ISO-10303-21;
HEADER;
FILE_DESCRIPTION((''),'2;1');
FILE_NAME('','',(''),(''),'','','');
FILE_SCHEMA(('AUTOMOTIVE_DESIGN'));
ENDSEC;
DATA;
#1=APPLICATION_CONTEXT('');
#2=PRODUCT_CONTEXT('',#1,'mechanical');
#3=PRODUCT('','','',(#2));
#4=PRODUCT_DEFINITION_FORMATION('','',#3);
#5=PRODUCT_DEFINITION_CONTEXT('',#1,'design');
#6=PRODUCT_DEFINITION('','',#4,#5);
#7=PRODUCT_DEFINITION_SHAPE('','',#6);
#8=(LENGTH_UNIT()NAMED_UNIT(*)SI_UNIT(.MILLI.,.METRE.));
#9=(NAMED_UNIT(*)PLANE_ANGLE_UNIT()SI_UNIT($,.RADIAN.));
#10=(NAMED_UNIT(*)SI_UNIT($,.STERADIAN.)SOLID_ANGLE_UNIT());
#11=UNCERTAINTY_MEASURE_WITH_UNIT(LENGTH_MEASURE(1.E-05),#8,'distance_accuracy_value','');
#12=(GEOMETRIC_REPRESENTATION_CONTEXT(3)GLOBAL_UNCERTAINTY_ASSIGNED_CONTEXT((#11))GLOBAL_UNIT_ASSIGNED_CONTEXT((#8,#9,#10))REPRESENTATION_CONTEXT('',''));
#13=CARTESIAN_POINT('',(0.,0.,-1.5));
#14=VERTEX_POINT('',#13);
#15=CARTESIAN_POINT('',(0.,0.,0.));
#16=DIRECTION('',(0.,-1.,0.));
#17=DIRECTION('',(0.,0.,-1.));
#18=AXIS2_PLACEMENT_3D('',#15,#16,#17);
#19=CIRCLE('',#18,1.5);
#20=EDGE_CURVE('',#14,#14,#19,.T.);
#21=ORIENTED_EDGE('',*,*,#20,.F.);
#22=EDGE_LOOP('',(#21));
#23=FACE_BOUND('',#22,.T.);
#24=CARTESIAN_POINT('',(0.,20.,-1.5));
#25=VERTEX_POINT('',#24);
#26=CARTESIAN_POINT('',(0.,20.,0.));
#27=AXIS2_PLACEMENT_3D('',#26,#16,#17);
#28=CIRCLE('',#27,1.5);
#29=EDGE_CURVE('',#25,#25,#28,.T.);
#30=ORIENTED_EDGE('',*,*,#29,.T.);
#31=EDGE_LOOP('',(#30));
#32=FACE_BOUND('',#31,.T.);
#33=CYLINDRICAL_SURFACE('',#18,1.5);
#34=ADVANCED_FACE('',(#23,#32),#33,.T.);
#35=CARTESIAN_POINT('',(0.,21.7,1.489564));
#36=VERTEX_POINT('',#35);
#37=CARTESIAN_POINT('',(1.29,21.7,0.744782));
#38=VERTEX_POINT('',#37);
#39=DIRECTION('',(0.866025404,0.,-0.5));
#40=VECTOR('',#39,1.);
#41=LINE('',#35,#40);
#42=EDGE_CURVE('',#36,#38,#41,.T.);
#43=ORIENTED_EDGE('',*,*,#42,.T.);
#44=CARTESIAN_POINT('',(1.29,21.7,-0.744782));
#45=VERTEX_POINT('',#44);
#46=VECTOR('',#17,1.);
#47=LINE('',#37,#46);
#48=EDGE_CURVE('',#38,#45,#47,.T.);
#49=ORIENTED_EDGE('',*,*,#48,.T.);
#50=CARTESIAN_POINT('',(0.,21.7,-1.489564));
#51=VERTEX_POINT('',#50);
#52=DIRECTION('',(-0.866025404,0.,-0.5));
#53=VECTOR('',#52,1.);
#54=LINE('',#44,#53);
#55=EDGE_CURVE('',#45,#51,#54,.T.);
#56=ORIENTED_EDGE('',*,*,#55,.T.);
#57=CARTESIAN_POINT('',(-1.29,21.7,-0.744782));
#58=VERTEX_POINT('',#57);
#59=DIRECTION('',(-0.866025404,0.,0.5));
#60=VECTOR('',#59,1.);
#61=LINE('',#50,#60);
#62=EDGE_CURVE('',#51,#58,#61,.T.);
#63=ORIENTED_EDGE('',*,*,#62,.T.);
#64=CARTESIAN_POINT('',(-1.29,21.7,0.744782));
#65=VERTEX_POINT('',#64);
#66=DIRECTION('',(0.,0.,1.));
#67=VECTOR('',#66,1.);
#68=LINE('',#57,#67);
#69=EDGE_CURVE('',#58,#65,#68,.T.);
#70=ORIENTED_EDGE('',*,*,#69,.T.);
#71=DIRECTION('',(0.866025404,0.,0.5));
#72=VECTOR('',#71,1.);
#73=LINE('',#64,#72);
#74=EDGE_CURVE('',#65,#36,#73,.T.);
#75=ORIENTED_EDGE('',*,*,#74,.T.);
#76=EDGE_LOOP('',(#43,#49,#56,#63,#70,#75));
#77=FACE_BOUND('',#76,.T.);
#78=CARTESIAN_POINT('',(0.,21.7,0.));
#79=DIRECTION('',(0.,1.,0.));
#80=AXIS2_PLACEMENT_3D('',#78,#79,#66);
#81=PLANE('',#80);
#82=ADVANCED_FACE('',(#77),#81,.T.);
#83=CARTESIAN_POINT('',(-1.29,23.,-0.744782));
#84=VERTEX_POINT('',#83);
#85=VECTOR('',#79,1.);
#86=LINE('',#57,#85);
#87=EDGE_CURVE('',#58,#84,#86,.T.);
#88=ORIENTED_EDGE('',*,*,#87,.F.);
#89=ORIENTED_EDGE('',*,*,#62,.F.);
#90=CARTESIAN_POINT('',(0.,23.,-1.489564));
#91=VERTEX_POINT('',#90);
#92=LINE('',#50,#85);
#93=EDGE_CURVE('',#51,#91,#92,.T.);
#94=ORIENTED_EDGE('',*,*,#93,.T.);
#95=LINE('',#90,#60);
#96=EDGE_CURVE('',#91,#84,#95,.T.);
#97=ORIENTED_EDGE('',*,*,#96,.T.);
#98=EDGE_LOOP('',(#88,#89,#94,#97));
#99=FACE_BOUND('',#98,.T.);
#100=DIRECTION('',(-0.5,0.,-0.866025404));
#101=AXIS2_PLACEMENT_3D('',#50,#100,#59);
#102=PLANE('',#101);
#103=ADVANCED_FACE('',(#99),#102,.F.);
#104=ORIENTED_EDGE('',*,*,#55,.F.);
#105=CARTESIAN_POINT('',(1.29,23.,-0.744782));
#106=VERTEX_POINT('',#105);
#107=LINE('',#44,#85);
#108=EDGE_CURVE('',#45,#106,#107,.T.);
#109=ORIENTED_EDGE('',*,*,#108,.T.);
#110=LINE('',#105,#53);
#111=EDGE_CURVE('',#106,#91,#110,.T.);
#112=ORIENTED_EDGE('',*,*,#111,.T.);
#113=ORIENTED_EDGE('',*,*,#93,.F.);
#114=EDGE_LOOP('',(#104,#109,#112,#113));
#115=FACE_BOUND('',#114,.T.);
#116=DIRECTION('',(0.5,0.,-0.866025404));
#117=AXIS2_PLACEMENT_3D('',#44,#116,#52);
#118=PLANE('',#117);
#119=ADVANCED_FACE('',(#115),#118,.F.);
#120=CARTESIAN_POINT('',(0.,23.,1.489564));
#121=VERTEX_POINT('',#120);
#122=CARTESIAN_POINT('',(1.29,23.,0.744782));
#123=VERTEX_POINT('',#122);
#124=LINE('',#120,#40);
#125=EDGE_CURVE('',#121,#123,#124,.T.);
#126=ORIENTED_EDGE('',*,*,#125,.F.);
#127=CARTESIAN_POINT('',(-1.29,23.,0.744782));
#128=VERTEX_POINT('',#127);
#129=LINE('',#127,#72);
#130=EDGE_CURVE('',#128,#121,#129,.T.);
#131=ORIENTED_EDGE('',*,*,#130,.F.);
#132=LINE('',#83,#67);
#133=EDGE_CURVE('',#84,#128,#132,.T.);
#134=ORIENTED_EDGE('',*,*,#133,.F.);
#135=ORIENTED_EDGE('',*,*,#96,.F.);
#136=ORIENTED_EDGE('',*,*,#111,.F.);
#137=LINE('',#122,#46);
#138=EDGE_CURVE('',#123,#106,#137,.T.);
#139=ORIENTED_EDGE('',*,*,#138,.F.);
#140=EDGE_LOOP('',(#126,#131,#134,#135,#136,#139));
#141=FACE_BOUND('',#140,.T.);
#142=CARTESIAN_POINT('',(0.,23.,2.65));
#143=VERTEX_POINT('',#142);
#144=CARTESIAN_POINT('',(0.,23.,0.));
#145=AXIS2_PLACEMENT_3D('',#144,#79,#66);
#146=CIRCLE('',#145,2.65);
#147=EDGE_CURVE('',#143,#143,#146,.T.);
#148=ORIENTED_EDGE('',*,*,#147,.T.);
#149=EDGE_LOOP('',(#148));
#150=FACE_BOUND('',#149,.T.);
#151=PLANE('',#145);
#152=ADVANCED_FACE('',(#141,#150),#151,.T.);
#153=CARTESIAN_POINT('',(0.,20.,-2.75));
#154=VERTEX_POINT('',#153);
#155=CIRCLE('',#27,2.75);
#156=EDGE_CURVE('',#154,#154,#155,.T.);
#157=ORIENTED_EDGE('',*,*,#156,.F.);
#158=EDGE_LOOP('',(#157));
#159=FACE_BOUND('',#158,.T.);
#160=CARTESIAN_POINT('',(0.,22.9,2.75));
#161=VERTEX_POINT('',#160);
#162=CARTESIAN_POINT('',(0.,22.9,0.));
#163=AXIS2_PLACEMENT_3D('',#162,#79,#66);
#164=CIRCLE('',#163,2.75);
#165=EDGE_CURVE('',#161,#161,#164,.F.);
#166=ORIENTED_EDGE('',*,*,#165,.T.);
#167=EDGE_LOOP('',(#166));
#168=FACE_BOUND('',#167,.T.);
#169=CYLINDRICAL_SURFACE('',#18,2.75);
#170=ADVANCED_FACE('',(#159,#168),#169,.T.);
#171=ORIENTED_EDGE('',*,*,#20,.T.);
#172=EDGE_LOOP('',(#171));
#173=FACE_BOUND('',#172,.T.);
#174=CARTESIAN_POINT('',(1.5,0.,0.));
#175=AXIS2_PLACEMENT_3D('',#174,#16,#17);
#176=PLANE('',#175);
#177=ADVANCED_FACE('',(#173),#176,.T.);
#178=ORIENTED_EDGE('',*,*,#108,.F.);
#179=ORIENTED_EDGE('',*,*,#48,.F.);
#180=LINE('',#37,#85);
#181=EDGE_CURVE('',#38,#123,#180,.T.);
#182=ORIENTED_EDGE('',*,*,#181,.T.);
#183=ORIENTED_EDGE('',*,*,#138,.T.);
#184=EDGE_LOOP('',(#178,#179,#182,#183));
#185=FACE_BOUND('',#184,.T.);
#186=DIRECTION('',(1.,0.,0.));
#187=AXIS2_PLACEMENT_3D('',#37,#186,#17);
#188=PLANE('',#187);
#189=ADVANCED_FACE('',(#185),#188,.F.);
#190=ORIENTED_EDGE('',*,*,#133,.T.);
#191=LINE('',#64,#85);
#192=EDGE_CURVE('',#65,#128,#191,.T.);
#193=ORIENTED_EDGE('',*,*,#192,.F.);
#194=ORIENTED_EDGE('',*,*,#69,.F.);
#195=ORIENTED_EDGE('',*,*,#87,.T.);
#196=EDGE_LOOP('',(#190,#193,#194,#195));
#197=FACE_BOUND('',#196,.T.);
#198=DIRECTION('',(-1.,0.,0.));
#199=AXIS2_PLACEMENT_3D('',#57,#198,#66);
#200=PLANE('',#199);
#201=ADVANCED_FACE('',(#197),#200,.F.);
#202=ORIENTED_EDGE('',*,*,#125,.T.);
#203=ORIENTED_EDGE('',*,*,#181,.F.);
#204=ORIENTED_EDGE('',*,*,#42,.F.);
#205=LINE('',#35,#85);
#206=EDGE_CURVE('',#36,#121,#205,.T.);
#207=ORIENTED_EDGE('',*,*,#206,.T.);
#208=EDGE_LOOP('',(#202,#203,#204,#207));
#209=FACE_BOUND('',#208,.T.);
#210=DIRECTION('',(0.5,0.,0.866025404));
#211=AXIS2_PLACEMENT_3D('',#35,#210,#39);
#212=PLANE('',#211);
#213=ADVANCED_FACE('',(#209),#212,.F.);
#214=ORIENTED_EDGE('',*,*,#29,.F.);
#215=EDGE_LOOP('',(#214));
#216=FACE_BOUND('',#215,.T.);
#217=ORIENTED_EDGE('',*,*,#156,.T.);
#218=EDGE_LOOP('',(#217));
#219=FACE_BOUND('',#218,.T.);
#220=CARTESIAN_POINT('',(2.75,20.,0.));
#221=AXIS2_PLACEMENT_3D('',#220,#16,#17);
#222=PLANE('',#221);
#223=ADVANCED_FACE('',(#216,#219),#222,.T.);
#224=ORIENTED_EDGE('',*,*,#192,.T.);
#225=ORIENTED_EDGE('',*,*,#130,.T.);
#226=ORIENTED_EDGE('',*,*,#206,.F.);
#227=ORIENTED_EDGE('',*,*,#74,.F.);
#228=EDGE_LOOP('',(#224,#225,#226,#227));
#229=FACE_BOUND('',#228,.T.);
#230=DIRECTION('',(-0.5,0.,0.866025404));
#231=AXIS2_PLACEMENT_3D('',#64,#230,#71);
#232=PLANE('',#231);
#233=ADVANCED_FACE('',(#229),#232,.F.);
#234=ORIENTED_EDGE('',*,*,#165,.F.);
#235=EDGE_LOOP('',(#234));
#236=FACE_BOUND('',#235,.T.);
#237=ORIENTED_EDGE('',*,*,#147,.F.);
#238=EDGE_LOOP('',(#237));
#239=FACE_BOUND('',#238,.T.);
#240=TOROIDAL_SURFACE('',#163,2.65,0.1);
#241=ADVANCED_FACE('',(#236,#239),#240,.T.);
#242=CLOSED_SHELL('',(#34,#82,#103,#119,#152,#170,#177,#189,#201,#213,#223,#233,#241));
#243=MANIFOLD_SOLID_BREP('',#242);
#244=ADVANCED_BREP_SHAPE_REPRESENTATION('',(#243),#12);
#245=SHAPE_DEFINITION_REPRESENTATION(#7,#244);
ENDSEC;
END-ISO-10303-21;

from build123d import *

# Parameters (mm, degrees)
CUT_EXTRUDE1_DEPTH = 1.3
FILLET1_R          = 0.1


with BuildPart() as part:
    # Sketch1 → Revolve1 (revolve)
    with BuildSketch(Plane.XY):
        Polygon((0, 0), (0, 23), (2.75, 23), (2.75, 20), (1.5, 20), (1.5, 0), align=None)
    revolve(axis=Axis((0, 0, 0), (0, 1, 0)))

    # Sketch2 → Cut-Extrude1 (cut)
    with BuildSketch(Plane(origin=(0, 23, 0), x_dir=(1, 0, 0), z_dir=(0, 1, 0))):
        Polygon((0, 1.489563695), (-1.29, 0.744781847), (-1.29, -0.744781847), (0, -1.489563695), (1.29, -0.744781847), (1.29, 0.744781847), align=None)
    extrude(amount=-CUT_EXTRUDE1_DEPTH, mode=Mode.SUBTRACT)

    # Fillet1
    fillet1_edges = [part.edges().sort_by_distance(p)[0] for p in [
        (-2.75, 23, 0),
    ]]
    fillet(fillet1_edges, radius=FILLET1_R)


solid = part.part
